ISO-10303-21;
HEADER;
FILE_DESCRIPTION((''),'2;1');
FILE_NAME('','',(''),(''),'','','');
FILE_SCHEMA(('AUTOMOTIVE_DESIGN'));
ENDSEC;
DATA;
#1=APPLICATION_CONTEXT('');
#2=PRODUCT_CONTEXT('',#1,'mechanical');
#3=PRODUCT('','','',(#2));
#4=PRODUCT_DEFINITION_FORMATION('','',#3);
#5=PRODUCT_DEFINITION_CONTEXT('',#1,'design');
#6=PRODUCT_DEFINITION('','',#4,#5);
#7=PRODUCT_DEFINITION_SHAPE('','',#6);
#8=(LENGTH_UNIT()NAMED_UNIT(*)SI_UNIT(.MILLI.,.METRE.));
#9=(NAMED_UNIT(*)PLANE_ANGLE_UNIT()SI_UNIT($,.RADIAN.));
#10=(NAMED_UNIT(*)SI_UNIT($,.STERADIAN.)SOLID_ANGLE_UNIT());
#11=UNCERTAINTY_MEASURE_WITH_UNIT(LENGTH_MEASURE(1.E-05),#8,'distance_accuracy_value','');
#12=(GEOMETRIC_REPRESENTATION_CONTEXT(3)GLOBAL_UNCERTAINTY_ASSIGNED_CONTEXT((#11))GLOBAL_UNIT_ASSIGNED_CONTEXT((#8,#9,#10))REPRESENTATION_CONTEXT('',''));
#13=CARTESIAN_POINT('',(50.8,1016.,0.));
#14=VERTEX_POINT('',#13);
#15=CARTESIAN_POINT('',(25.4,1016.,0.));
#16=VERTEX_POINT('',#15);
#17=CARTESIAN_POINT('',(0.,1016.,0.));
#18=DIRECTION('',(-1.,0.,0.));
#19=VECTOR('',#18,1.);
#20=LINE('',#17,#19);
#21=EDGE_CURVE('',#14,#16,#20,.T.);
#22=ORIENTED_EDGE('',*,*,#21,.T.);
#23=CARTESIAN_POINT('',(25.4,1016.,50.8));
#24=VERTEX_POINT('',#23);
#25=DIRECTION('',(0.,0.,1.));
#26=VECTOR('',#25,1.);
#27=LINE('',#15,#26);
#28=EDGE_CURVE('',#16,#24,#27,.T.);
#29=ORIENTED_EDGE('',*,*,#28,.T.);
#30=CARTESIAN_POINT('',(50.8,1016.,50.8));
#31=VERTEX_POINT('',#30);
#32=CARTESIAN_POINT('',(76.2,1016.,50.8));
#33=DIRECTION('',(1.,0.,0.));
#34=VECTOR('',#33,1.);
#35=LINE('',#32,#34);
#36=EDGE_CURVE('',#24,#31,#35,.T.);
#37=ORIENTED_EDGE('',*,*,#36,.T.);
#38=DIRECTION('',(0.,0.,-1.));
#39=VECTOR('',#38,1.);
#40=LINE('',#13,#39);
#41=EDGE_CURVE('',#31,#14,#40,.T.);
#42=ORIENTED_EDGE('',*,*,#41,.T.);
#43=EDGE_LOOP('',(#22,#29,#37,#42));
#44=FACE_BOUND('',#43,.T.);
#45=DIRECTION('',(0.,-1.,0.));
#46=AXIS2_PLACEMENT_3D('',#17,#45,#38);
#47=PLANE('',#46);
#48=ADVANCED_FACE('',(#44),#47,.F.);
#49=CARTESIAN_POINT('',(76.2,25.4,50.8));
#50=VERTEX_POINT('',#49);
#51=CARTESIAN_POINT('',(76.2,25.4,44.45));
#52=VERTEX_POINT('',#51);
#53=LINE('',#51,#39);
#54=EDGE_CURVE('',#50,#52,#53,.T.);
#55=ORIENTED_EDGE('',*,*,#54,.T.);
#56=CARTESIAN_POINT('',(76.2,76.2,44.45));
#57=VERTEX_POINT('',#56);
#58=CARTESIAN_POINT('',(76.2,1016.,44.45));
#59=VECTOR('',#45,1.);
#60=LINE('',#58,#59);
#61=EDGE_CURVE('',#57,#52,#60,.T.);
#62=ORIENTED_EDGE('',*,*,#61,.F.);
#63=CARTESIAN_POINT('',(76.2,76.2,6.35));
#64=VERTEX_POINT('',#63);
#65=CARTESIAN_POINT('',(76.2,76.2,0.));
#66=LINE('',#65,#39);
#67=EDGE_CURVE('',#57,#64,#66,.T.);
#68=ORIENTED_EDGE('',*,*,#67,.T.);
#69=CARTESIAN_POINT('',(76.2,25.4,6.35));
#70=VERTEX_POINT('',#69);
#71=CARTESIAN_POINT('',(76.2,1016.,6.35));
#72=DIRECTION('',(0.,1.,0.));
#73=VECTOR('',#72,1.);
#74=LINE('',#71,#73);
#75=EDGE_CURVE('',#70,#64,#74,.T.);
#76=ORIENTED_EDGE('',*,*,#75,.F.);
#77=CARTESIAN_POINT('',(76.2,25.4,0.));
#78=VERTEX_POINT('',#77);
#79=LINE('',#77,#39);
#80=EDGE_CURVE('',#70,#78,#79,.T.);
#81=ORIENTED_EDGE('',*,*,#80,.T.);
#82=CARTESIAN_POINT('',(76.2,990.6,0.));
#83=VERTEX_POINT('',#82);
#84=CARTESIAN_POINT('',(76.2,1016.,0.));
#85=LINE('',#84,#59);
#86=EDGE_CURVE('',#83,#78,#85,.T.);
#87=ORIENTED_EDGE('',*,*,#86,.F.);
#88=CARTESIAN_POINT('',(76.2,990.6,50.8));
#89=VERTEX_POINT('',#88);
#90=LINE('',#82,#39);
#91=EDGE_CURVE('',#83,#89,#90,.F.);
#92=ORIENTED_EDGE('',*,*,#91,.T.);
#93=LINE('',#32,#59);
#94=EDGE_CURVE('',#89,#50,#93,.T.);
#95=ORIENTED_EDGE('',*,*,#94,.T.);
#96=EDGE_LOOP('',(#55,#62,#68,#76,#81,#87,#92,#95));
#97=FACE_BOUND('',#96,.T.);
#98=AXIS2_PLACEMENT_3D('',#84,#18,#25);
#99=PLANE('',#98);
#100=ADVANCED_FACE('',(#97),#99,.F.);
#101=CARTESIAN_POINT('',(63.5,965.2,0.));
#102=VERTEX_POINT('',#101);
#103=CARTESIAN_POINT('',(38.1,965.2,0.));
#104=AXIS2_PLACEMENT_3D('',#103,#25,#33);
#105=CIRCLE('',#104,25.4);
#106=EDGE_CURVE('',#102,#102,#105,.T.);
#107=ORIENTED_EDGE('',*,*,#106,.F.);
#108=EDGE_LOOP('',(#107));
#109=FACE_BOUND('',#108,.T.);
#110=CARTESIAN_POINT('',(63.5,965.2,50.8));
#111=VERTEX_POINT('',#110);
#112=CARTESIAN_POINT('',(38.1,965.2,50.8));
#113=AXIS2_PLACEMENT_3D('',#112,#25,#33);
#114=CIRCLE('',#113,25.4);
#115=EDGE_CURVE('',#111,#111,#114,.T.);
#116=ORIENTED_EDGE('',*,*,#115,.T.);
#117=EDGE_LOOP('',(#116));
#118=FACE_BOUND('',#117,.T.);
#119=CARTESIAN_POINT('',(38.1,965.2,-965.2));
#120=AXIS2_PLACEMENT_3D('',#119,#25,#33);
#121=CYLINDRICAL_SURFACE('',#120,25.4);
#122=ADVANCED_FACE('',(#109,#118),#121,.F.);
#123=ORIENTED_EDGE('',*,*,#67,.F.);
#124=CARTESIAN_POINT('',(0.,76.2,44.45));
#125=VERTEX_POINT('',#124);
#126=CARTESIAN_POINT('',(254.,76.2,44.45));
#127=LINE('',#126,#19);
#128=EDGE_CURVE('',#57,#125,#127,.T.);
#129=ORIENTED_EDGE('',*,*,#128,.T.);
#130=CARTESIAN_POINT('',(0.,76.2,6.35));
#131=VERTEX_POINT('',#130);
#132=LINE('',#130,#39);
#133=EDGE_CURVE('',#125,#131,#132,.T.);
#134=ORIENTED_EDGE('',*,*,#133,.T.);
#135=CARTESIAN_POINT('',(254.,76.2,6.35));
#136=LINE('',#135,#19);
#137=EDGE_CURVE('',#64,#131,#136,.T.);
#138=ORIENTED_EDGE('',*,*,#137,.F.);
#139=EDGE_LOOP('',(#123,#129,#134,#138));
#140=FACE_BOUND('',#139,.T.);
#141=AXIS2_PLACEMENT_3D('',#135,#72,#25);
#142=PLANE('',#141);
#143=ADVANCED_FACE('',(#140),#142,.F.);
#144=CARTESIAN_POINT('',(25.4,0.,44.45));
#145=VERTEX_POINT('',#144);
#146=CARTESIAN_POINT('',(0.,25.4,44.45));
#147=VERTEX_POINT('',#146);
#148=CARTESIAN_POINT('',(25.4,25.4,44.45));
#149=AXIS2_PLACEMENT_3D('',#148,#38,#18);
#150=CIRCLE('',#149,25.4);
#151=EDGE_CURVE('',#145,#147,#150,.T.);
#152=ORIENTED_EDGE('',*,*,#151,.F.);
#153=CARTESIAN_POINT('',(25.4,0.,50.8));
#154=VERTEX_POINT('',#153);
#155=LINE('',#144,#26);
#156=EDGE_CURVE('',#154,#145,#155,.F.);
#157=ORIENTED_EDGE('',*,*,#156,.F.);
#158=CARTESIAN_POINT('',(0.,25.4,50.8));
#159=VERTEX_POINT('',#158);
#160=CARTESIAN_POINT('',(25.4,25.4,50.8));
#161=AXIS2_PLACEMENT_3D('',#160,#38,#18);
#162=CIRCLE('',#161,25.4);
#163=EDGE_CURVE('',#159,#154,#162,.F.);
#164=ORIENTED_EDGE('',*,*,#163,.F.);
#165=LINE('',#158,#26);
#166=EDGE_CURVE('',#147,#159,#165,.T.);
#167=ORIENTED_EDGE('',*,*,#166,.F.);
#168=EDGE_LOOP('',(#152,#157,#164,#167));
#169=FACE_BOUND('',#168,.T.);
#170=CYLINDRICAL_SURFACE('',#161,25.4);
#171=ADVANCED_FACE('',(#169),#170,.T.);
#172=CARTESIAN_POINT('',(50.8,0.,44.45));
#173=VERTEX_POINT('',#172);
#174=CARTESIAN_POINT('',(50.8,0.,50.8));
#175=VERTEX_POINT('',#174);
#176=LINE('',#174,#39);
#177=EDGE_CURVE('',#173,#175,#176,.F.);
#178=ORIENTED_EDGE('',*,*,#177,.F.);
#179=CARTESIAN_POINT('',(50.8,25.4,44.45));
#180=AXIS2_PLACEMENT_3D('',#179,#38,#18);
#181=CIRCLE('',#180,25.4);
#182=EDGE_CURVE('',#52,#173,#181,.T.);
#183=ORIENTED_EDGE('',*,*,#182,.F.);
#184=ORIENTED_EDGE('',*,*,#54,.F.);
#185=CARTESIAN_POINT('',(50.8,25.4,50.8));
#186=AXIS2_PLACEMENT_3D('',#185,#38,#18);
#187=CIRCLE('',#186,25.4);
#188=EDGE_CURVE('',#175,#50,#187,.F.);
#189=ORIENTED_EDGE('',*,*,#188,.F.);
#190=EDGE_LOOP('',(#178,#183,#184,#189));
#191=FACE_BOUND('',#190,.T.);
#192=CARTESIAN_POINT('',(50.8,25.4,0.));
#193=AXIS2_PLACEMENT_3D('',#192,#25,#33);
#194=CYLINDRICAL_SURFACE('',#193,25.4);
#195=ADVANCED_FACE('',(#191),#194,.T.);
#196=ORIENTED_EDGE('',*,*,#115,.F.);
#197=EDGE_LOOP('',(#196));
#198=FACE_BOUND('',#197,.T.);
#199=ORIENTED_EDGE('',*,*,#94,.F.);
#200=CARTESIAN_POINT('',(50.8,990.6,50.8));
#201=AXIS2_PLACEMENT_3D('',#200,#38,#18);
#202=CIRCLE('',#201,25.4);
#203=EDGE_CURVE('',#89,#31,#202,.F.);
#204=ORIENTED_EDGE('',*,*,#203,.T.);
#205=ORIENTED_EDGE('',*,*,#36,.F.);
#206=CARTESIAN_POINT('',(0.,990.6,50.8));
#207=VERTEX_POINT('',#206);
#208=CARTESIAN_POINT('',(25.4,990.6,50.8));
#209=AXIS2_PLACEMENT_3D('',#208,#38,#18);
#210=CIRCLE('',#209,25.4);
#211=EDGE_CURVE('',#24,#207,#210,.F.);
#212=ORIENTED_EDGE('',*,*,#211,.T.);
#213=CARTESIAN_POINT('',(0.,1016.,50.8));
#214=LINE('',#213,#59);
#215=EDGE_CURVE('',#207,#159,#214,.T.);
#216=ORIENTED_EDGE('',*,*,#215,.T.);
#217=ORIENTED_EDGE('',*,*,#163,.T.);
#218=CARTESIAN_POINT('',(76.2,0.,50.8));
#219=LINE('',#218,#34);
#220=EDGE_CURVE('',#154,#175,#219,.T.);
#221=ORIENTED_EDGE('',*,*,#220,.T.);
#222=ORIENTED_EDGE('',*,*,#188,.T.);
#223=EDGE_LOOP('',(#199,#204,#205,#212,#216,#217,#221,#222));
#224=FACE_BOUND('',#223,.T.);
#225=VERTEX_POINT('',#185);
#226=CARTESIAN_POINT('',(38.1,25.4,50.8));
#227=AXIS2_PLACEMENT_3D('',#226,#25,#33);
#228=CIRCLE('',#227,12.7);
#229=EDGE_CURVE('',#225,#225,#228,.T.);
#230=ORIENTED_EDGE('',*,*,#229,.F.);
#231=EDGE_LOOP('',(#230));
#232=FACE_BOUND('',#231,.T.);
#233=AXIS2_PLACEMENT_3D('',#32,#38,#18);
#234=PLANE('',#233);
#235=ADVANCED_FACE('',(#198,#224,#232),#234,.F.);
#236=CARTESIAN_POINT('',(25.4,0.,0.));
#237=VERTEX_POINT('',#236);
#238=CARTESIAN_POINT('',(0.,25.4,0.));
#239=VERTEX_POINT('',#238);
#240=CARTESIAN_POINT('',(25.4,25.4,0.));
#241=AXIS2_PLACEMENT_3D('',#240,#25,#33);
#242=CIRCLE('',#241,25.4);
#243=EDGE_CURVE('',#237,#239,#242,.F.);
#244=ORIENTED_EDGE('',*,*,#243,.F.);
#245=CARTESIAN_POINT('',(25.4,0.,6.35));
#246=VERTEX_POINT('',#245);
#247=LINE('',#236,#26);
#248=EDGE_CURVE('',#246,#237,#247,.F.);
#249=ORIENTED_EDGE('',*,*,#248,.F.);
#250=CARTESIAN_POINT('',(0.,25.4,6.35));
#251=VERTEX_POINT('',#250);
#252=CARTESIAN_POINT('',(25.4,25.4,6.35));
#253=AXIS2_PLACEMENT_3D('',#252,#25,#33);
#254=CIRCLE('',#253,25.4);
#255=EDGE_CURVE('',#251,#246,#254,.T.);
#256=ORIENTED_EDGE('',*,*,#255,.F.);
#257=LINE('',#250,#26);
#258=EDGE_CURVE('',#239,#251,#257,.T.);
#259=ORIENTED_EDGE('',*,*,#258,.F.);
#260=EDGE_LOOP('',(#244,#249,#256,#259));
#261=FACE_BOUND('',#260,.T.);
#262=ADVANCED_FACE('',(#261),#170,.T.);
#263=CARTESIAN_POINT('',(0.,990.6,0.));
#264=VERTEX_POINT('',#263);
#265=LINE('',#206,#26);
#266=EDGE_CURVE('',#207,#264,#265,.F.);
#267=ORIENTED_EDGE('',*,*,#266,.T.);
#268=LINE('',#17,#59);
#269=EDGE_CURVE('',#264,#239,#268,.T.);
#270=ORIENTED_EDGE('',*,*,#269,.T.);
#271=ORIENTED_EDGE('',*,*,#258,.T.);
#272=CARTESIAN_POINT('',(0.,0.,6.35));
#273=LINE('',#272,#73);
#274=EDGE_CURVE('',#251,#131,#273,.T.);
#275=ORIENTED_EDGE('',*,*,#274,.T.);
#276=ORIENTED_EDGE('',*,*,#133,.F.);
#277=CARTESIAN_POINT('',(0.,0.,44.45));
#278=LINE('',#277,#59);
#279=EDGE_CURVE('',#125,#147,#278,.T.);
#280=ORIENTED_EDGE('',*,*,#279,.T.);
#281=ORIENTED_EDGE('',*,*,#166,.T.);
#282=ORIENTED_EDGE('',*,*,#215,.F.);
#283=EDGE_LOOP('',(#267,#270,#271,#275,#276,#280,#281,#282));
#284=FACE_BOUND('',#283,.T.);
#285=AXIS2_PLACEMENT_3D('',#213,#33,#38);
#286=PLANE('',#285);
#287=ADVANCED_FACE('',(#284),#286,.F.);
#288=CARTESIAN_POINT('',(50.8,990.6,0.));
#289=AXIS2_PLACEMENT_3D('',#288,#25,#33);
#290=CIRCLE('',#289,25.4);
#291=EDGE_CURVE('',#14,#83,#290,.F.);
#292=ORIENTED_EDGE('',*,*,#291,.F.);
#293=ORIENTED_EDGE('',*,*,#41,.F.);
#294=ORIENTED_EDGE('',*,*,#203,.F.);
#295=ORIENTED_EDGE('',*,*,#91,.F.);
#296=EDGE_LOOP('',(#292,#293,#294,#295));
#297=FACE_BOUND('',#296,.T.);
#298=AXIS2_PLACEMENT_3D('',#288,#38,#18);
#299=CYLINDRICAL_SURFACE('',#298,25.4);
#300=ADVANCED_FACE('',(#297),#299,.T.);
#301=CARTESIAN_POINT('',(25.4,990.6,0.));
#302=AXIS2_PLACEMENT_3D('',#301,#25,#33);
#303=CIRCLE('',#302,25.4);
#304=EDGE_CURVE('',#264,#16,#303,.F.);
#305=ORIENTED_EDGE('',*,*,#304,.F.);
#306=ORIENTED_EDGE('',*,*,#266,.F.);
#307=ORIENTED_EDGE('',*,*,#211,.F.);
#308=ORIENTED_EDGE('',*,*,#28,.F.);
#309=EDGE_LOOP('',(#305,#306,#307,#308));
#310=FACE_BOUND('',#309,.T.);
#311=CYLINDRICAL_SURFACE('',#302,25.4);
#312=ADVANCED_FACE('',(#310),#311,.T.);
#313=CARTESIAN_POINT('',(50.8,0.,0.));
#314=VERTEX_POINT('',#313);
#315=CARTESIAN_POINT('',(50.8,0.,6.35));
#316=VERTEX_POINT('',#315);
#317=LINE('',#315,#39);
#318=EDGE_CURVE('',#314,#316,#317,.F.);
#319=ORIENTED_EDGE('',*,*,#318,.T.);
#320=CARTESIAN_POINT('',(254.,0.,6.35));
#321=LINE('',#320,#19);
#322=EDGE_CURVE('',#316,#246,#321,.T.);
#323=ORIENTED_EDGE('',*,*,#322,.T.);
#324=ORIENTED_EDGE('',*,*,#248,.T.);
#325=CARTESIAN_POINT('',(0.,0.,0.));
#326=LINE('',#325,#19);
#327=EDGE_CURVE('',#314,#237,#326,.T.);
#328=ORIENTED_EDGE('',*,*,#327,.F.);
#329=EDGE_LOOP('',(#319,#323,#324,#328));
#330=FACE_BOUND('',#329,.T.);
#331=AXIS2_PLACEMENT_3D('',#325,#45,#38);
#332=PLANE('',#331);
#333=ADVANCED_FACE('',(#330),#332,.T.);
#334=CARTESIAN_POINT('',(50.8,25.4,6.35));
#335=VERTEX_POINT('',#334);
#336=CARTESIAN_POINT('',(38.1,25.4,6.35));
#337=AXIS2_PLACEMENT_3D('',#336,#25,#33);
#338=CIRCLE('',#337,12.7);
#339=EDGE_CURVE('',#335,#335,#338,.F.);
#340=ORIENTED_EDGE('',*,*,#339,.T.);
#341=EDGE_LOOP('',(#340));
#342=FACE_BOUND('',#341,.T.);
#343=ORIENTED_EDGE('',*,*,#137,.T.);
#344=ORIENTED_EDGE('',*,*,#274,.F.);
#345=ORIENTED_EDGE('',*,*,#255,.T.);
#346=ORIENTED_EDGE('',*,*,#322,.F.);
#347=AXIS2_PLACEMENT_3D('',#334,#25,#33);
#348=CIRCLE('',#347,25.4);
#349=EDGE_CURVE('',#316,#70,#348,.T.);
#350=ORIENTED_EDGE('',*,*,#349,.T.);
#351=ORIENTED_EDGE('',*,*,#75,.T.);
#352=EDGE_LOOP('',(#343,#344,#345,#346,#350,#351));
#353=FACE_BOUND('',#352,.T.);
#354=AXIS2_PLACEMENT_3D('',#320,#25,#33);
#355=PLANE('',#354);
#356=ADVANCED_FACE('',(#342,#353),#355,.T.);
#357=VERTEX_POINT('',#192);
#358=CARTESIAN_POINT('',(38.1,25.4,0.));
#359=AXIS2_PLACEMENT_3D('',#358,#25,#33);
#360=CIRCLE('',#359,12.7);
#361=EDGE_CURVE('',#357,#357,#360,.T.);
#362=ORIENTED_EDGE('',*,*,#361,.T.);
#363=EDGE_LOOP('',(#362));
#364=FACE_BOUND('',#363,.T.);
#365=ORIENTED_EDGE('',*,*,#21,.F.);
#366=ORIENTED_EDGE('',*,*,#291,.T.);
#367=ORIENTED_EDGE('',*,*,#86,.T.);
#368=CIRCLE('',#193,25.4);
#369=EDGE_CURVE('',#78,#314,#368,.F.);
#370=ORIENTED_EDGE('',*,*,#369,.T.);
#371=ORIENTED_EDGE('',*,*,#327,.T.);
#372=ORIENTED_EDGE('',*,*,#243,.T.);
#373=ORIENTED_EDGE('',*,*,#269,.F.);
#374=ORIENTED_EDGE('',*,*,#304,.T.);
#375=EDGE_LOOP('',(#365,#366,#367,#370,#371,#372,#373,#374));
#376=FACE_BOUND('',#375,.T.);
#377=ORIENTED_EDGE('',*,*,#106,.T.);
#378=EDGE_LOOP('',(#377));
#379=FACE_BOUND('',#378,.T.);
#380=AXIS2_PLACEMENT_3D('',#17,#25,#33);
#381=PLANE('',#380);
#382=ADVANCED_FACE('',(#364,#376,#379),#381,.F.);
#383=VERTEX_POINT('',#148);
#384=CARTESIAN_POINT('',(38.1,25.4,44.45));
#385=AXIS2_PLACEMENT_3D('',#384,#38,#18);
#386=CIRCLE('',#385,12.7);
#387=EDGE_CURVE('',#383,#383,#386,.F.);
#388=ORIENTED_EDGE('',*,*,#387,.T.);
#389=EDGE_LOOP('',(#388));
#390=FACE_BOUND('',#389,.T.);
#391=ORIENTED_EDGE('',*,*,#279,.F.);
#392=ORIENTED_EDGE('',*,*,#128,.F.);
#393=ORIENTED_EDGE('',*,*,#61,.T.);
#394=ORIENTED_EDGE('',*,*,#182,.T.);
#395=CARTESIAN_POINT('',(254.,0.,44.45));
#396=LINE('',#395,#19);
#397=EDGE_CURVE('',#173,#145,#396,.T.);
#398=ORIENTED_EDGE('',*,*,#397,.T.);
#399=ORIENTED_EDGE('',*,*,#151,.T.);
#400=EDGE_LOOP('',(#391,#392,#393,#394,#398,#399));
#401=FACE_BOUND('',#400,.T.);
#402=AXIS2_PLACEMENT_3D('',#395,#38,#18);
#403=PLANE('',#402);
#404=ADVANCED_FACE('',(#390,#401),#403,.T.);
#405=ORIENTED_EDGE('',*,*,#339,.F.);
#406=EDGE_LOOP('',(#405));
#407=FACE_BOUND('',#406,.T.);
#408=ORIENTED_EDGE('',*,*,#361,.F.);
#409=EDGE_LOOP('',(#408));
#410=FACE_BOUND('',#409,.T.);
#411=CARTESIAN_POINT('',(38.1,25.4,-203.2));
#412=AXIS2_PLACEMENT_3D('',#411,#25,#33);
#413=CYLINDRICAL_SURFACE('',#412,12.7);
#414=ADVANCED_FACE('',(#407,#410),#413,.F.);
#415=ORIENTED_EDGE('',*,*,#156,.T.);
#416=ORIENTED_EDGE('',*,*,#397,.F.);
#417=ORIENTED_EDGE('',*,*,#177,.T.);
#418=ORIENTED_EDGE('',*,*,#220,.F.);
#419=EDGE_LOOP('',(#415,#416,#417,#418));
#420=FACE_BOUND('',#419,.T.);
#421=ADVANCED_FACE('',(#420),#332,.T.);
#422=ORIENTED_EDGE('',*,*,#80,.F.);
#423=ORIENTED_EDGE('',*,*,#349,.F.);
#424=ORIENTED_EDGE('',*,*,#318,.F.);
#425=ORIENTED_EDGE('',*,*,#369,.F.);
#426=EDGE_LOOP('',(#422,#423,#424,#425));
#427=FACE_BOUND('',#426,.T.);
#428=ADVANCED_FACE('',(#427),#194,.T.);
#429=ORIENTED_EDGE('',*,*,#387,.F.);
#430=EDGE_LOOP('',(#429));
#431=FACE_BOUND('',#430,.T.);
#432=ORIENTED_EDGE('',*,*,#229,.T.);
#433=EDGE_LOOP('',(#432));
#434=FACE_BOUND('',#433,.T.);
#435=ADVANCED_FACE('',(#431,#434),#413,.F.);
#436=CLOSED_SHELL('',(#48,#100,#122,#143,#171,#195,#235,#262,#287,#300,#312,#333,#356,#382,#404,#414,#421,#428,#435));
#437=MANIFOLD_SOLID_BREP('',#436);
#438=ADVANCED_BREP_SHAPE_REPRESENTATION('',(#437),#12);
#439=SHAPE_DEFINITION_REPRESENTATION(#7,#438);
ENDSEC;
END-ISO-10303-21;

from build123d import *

# Parameters (mm, degrees)
SKETCH1_W           = 76.2
SKETCH1_H           = 50.8
BOSS_EXTRUDE2_DEPTH = 1016
SKETCH2_R           = 25.4
CUT_EXTRUDE1_DEPTH  = 1016
FILLET1_R           = 25.4
SKETCH3_R           = 12.7
CUT_EXTRUDE2_DEPTH  = 254
SKETCH4_W           = 38.1
SKETCH4_H           = 50.8
CUT_EXTRUDE3_DEPTH  = 254
SKETCH5_W           = 38.1
SKETCH5_H           = 25.4
CUT_EXTRUDE4_DEPTH  = 254
FILLET2_R           = 25.4


with BuildPart() as part:
    # Sketch1 → Boss-Extrude2 (new body)
    with BuildSketch(Plane(origin=(0, 0, 0), x_dir=(1, 0, 0), z_dir=(0, 1, 0))):
        with Locations((38.1, -25.4)):
            Rectangle(SKETCH1_W, SKETCH1_H)
    extrude(amount=BOSS_EXTRUDE2_DEPTH)

    # Sketch2 → Cut-Extrude1 (cut)
    with BuildSketch(Plane.XY.offset(50.8)):
        with Locations((38.1, 965.2)):
            Circle(SKETCH2_R)
    extrude(amount=-CUT_EXTRUDE1_DEPTH, mode=Mode.SUBTRACT)

    # Fillet1
    fillet1_edges = [part.edges().sort_by_distance(p)[0] for p in [
        (76.2, 1016, 25.4),
        (0, 1016, 25.4),
    ]]
    fillet(fillet1_edges, radius=FILLET1_R)

    # Sketch3 → Cut-Extrude2 (cut)
    with BuildSketch(Plane.XY.offset(50.8)):
        with Locations((38.1, 25.4)):
            Circle(SKETCH3_R)
    extrude(amount=-CUT_EXTRUDE2_DEPTH, mode=Mode.SUBTRACT)

    # Sketch4 → Cut-Extrude3 (cut)
    with BuildSketch(Plane.ZY):
        with Locations((25.4, 25.4)):
            Rectangle(SKETCH4_W, SKETCH4_H)
    extrude(amount=-CUT_EXTRUDE3_DEPTH, mode=Mode.SUBTRACT)

    # Sketch5 → Cut-Extrude4 (cut)
    with BuildSketch(Plane.ZY):
        with Locations((25.4, 63.5)):
            Rectangle(SKETCH5_W, SKETCH5_H)
    extrude(amount=-CUT_EXTRUDE4_DEPTH, mode=Mode.SUBTRACT)

    # Fillet2
    fillet2_edges = [part.edges().sort_by_distance(p)[0] for p in [
        (0, 0, 47.625),
        (76.2, 0, 3.175),
        (76.2, 0, 47.625),
        (0, 0, 3.175),
    ]]
    fillet(fillet2_edges, radius=FILLET2_R)


solid = part.part
